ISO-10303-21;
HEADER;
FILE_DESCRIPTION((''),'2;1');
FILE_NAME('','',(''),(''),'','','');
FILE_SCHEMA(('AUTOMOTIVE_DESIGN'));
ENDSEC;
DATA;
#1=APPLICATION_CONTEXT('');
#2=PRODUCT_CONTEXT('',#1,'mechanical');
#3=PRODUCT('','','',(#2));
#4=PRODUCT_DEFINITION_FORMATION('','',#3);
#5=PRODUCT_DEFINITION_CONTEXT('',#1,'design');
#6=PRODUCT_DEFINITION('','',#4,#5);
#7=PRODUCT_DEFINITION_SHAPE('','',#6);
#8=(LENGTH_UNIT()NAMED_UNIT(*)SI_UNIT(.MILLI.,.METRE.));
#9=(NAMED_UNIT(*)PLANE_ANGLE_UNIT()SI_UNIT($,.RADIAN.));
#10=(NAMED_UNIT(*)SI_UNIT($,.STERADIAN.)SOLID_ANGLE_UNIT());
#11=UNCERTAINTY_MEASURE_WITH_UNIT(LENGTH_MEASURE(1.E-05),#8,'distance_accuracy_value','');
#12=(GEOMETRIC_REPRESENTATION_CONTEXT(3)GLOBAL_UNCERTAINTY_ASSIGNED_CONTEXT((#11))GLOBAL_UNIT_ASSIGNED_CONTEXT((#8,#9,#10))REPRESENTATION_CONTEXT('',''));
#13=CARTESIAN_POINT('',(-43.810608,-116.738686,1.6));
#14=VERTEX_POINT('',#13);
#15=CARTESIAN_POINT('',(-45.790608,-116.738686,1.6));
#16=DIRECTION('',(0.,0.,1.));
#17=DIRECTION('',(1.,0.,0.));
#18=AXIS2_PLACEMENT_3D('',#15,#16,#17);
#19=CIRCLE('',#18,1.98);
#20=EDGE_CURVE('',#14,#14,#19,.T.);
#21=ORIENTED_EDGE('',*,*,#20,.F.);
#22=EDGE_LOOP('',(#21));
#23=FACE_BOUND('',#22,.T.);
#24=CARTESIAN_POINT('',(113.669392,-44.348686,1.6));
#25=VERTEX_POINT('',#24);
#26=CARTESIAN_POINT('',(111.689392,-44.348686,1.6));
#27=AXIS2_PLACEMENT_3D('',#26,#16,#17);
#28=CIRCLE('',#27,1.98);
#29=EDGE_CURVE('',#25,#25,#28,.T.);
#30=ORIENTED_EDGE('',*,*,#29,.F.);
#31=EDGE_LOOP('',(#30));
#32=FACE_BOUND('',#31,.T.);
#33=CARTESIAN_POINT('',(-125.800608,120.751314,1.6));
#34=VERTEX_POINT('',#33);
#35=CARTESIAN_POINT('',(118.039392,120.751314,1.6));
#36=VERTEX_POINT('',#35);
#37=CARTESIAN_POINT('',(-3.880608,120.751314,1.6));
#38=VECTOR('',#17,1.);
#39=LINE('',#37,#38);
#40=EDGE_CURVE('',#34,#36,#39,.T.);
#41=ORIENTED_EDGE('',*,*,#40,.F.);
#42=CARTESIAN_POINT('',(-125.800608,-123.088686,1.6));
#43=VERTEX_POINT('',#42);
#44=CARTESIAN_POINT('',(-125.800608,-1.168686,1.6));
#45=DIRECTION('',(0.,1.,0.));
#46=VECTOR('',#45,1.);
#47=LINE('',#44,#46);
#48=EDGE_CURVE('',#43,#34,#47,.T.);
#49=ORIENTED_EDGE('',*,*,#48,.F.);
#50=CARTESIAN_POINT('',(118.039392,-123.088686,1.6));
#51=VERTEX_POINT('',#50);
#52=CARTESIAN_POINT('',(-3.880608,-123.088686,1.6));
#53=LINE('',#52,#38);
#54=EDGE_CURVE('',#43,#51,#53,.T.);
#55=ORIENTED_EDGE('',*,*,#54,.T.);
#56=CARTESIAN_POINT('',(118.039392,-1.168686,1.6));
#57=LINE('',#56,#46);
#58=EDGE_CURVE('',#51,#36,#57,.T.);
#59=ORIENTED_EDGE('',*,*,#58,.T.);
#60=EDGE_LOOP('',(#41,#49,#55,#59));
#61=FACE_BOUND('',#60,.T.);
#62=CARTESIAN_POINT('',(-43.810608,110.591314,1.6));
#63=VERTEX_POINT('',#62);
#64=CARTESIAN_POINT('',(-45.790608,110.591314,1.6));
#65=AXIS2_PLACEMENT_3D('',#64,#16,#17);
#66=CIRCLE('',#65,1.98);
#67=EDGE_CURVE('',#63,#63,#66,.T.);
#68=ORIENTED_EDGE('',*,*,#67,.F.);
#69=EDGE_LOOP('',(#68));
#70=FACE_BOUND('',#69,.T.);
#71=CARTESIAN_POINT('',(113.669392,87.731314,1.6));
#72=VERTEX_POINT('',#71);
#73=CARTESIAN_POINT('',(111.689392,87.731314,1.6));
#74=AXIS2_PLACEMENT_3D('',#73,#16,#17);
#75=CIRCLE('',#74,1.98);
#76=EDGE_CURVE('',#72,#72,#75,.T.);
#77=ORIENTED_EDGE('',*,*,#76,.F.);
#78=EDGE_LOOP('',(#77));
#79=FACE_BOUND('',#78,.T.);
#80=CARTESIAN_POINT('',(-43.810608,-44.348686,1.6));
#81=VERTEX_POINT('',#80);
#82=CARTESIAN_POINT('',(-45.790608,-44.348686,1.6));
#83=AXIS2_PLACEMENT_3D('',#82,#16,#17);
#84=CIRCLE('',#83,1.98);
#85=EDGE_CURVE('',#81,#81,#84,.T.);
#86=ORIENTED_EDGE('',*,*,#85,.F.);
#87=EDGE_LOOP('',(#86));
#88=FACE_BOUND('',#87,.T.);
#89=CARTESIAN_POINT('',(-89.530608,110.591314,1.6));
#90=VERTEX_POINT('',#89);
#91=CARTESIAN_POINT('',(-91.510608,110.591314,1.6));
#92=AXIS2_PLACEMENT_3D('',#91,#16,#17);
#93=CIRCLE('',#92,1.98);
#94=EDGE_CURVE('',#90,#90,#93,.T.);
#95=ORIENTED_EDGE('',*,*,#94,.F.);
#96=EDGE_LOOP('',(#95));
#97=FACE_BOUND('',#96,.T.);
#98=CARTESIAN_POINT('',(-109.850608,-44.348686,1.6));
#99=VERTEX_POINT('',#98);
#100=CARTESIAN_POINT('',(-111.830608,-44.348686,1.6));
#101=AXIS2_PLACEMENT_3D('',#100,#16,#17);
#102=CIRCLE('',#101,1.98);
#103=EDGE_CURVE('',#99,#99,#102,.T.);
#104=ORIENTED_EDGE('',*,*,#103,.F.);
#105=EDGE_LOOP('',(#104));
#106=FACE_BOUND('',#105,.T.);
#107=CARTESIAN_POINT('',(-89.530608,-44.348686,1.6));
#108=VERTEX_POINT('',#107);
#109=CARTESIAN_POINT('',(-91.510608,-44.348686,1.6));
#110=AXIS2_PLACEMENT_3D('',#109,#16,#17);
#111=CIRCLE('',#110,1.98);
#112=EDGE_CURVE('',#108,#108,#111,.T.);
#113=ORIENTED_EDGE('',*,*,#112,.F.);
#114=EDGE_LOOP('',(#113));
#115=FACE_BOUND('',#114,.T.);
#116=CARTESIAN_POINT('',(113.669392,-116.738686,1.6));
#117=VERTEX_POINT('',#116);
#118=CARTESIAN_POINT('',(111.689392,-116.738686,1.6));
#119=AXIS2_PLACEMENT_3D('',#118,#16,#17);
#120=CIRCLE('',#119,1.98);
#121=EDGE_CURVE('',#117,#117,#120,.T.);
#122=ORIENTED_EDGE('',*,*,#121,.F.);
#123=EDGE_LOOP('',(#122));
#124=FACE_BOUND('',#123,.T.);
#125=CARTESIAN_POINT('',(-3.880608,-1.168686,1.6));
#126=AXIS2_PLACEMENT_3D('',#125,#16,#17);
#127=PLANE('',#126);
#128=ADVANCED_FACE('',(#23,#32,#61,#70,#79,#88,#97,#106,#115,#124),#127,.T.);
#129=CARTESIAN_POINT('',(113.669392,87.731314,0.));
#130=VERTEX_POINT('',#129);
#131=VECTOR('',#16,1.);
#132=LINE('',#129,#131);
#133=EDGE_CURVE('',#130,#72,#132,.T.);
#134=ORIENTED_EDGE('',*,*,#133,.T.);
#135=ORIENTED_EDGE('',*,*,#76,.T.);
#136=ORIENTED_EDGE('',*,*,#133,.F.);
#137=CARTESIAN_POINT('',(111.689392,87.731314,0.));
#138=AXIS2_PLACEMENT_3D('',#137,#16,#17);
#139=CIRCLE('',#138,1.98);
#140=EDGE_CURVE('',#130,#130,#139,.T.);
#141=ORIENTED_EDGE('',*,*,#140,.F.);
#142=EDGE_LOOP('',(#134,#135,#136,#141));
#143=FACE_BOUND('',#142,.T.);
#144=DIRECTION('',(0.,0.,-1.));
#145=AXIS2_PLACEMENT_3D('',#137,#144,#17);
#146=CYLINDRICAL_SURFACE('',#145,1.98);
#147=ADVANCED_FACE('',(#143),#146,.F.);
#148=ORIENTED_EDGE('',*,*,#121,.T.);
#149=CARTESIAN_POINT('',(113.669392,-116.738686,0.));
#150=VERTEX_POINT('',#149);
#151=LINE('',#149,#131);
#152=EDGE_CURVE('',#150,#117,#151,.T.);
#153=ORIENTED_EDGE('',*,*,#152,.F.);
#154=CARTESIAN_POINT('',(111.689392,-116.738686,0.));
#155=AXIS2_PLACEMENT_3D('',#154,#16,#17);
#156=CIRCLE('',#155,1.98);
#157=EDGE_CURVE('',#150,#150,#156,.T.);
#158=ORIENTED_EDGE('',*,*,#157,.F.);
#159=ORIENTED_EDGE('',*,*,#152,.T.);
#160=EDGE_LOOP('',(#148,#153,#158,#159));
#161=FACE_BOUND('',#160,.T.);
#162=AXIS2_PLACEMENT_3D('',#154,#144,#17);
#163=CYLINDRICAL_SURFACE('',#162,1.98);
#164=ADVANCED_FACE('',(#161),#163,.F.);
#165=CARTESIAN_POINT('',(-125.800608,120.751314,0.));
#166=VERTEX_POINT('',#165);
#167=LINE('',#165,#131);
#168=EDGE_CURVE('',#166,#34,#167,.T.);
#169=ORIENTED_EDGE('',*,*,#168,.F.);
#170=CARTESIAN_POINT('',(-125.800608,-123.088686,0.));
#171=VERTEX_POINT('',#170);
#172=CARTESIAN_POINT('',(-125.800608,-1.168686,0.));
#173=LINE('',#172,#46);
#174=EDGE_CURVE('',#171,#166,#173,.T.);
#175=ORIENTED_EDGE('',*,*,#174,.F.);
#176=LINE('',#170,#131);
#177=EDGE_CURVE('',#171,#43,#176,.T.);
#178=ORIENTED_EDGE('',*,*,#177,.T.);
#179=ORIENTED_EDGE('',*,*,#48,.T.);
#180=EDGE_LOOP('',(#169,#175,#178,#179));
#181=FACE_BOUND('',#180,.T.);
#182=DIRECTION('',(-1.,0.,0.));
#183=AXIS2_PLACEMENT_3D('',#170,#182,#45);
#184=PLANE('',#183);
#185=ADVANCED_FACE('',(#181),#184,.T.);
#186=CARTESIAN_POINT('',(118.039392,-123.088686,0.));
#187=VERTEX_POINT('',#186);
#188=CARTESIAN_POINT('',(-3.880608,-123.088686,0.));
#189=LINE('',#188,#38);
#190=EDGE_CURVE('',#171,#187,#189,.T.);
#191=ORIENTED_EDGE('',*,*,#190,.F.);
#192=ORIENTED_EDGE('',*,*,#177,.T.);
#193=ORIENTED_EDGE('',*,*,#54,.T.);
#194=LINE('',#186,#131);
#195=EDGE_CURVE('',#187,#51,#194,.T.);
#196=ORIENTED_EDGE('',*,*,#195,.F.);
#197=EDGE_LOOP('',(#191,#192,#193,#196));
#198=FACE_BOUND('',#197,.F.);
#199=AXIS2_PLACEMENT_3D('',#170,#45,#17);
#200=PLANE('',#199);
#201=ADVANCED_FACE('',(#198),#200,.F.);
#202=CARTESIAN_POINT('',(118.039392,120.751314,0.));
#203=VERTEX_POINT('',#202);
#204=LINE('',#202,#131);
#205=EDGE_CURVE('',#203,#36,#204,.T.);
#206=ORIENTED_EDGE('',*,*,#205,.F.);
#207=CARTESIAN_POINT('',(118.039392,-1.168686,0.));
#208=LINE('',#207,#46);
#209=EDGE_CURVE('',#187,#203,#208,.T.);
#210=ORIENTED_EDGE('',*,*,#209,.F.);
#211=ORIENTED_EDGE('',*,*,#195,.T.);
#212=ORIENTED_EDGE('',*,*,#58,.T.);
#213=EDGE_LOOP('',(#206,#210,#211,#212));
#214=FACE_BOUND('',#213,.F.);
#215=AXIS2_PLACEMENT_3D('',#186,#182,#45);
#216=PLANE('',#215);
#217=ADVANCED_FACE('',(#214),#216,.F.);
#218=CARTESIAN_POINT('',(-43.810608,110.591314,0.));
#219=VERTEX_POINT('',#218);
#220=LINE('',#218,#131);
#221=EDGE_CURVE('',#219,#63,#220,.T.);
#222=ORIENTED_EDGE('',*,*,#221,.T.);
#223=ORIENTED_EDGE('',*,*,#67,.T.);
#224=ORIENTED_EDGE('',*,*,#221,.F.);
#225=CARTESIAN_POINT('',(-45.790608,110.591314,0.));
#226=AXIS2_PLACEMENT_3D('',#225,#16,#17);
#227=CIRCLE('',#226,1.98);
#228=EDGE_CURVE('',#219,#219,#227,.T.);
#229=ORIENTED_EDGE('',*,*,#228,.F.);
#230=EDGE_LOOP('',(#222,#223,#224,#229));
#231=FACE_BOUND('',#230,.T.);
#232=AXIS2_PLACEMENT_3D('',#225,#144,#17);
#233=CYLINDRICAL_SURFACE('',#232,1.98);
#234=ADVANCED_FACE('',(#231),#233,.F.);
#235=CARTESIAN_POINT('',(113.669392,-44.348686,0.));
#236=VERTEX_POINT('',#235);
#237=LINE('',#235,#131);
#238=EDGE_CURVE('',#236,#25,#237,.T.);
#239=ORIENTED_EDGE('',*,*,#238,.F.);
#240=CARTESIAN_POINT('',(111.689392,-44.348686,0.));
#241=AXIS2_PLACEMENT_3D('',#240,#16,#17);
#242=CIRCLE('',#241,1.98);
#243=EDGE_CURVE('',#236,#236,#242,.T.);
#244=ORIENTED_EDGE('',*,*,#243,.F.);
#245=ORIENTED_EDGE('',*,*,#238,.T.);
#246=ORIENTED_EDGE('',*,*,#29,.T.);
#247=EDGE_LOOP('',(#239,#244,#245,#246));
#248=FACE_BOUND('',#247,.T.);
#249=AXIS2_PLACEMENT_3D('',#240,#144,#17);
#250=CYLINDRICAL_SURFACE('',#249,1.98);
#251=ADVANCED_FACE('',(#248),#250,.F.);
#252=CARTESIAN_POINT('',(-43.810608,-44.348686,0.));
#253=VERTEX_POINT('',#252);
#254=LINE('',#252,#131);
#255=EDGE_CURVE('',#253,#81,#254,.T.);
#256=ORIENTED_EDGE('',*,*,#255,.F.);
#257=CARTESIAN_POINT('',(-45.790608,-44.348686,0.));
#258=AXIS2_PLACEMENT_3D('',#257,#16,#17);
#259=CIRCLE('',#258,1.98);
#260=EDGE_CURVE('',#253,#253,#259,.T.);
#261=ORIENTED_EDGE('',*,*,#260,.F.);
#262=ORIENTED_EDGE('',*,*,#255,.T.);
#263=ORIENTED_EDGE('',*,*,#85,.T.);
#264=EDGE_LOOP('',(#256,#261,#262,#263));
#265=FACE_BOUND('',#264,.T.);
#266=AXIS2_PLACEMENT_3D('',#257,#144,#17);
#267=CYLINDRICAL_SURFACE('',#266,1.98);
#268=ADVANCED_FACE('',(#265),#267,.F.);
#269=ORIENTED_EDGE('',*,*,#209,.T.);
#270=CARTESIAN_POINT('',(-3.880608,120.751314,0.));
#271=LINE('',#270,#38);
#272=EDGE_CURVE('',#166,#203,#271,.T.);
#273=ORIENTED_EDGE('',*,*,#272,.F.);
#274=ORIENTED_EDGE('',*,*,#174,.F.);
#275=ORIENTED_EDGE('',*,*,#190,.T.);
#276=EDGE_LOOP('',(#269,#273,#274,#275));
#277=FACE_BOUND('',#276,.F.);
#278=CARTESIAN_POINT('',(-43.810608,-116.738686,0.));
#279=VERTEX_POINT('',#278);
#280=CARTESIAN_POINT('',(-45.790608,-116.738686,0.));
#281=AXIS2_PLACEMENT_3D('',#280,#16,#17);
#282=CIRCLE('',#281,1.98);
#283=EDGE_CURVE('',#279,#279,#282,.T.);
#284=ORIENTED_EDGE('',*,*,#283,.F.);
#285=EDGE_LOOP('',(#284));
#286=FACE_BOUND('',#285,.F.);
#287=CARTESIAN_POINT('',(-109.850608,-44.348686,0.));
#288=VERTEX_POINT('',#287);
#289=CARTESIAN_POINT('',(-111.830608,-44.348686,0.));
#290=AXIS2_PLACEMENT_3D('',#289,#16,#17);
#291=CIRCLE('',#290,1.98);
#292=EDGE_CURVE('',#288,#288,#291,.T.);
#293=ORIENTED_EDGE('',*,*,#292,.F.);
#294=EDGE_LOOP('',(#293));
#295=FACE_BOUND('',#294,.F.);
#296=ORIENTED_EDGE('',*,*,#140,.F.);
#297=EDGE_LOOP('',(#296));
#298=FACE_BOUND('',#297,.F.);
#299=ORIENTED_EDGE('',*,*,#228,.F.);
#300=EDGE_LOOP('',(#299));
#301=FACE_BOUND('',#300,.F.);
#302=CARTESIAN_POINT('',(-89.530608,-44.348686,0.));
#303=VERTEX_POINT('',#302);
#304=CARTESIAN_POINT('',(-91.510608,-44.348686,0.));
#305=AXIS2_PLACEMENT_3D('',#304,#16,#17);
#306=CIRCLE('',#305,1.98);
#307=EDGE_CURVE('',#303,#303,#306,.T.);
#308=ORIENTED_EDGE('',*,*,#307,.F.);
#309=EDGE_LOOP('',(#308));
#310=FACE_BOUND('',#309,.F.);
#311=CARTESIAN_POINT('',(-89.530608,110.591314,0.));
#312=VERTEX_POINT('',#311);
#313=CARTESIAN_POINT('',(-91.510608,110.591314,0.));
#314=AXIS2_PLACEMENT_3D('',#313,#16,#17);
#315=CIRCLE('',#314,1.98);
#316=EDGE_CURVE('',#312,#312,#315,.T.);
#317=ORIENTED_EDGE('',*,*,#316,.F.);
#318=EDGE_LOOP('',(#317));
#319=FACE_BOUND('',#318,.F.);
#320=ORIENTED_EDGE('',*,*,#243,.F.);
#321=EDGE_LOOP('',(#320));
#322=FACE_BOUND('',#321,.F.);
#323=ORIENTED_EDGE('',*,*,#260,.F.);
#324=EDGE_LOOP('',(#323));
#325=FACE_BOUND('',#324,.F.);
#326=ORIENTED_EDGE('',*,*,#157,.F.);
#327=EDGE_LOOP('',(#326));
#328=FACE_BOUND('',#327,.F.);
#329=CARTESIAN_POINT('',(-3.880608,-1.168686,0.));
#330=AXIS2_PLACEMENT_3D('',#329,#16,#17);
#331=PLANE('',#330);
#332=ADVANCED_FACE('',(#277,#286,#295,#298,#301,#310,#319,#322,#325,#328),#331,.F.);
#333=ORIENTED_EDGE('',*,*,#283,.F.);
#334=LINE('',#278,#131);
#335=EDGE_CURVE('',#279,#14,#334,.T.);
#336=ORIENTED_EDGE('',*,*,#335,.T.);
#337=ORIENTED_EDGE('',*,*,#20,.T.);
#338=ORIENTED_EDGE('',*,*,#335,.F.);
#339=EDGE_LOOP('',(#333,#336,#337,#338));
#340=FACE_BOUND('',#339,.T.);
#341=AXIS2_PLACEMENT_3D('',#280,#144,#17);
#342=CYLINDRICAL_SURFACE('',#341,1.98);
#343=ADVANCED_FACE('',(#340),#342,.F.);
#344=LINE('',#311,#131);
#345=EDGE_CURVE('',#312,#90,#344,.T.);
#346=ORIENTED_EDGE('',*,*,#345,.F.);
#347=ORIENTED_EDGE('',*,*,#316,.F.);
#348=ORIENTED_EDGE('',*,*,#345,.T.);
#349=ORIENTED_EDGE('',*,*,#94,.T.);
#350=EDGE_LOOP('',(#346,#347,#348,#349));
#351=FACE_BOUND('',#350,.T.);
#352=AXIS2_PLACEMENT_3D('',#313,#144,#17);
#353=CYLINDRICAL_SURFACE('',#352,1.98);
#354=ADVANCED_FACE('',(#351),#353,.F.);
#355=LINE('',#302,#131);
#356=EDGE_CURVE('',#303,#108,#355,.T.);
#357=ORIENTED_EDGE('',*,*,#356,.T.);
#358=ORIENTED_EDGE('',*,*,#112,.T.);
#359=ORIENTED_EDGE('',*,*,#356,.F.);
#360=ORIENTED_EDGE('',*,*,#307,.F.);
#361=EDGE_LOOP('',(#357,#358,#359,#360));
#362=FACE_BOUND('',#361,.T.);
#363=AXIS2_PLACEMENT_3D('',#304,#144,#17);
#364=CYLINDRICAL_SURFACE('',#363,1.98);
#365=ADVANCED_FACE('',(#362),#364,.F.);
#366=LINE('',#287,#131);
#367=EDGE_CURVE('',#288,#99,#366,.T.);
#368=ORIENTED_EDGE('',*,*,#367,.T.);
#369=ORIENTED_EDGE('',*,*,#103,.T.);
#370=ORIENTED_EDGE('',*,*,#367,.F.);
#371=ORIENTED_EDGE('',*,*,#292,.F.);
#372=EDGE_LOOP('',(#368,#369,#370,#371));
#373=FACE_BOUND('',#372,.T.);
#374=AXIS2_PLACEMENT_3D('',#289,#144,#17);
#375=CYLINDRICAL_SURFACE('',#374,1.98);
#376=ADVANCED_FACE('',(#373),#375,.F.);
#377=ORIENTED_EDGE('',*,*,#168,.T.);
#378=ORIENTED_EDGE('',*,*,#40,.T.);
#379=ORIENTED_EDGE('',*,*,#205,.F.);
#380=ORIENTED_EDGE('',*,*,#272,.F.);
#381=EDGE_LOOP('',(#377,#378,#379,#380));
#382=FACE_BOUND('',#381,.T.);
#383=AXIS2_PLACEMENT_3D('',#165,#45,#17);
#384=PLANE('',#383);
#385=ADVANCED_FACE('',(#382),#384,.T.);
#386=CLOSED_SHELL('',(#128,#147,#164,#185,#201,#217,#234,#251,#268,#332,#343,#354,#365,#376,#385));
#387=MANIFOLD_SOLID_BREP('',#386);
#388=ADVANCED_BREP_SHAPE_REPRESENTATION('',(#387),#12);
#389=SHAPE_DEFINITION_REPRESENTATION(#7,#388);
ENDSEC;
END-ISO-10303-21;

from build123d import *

# Parameters (mm, degrees)
F0_W     = 243.84
F0_H     = 243.84
F0_R     = 1.98
F1_DEPTH = 1.6


with BuildPart() as f1:
    # F0 (on Top) → F1 (new body)
    with BuildSketch(Plane.XY):
        with Locations((-3.880608, -1.168686)):
            Rectangle(F0_W, F0_H)
        with Locations((-45.790608, -116.738686)):
            Circle(F0_R, mode=Mode.SUBTRACT)
        with Locations((-111.830608, -44.348686)):
            Circle(F0_R, mode=Mode.SUBTRACT)
        with Locations((-91.510608, -44.348686)):
            Circle(F0_R, mode=Mode.SUBTRACT)
        with Locations((-45.790608, -44.348686)):
            Circle(F0_R, mode=Mode.SUBTRACT)
        with Locations((111.689392, -116.738686)):
            Circle(F0_R, mode=Mode.SUBTRACT)
        with Locations((111.689392, -44.348686)):
            Circle(F0_R, mode=Mode.SUBTRACT)
        with Locations((-91.510608, 110.591314)):
            Circle(F0_R, mode=Mode.SUBTRACT)
        with Locations((-45.790608, 110.591314)):
            Circle(F0_R, mode=Mode.SUBTRACT)
        with Locations((111.689392, 87.731314)):
            Circle(F0_R, mode=Mode.SUBTRACT)
    extrude(amount=F1_DEPTH)


solid = f1.part
